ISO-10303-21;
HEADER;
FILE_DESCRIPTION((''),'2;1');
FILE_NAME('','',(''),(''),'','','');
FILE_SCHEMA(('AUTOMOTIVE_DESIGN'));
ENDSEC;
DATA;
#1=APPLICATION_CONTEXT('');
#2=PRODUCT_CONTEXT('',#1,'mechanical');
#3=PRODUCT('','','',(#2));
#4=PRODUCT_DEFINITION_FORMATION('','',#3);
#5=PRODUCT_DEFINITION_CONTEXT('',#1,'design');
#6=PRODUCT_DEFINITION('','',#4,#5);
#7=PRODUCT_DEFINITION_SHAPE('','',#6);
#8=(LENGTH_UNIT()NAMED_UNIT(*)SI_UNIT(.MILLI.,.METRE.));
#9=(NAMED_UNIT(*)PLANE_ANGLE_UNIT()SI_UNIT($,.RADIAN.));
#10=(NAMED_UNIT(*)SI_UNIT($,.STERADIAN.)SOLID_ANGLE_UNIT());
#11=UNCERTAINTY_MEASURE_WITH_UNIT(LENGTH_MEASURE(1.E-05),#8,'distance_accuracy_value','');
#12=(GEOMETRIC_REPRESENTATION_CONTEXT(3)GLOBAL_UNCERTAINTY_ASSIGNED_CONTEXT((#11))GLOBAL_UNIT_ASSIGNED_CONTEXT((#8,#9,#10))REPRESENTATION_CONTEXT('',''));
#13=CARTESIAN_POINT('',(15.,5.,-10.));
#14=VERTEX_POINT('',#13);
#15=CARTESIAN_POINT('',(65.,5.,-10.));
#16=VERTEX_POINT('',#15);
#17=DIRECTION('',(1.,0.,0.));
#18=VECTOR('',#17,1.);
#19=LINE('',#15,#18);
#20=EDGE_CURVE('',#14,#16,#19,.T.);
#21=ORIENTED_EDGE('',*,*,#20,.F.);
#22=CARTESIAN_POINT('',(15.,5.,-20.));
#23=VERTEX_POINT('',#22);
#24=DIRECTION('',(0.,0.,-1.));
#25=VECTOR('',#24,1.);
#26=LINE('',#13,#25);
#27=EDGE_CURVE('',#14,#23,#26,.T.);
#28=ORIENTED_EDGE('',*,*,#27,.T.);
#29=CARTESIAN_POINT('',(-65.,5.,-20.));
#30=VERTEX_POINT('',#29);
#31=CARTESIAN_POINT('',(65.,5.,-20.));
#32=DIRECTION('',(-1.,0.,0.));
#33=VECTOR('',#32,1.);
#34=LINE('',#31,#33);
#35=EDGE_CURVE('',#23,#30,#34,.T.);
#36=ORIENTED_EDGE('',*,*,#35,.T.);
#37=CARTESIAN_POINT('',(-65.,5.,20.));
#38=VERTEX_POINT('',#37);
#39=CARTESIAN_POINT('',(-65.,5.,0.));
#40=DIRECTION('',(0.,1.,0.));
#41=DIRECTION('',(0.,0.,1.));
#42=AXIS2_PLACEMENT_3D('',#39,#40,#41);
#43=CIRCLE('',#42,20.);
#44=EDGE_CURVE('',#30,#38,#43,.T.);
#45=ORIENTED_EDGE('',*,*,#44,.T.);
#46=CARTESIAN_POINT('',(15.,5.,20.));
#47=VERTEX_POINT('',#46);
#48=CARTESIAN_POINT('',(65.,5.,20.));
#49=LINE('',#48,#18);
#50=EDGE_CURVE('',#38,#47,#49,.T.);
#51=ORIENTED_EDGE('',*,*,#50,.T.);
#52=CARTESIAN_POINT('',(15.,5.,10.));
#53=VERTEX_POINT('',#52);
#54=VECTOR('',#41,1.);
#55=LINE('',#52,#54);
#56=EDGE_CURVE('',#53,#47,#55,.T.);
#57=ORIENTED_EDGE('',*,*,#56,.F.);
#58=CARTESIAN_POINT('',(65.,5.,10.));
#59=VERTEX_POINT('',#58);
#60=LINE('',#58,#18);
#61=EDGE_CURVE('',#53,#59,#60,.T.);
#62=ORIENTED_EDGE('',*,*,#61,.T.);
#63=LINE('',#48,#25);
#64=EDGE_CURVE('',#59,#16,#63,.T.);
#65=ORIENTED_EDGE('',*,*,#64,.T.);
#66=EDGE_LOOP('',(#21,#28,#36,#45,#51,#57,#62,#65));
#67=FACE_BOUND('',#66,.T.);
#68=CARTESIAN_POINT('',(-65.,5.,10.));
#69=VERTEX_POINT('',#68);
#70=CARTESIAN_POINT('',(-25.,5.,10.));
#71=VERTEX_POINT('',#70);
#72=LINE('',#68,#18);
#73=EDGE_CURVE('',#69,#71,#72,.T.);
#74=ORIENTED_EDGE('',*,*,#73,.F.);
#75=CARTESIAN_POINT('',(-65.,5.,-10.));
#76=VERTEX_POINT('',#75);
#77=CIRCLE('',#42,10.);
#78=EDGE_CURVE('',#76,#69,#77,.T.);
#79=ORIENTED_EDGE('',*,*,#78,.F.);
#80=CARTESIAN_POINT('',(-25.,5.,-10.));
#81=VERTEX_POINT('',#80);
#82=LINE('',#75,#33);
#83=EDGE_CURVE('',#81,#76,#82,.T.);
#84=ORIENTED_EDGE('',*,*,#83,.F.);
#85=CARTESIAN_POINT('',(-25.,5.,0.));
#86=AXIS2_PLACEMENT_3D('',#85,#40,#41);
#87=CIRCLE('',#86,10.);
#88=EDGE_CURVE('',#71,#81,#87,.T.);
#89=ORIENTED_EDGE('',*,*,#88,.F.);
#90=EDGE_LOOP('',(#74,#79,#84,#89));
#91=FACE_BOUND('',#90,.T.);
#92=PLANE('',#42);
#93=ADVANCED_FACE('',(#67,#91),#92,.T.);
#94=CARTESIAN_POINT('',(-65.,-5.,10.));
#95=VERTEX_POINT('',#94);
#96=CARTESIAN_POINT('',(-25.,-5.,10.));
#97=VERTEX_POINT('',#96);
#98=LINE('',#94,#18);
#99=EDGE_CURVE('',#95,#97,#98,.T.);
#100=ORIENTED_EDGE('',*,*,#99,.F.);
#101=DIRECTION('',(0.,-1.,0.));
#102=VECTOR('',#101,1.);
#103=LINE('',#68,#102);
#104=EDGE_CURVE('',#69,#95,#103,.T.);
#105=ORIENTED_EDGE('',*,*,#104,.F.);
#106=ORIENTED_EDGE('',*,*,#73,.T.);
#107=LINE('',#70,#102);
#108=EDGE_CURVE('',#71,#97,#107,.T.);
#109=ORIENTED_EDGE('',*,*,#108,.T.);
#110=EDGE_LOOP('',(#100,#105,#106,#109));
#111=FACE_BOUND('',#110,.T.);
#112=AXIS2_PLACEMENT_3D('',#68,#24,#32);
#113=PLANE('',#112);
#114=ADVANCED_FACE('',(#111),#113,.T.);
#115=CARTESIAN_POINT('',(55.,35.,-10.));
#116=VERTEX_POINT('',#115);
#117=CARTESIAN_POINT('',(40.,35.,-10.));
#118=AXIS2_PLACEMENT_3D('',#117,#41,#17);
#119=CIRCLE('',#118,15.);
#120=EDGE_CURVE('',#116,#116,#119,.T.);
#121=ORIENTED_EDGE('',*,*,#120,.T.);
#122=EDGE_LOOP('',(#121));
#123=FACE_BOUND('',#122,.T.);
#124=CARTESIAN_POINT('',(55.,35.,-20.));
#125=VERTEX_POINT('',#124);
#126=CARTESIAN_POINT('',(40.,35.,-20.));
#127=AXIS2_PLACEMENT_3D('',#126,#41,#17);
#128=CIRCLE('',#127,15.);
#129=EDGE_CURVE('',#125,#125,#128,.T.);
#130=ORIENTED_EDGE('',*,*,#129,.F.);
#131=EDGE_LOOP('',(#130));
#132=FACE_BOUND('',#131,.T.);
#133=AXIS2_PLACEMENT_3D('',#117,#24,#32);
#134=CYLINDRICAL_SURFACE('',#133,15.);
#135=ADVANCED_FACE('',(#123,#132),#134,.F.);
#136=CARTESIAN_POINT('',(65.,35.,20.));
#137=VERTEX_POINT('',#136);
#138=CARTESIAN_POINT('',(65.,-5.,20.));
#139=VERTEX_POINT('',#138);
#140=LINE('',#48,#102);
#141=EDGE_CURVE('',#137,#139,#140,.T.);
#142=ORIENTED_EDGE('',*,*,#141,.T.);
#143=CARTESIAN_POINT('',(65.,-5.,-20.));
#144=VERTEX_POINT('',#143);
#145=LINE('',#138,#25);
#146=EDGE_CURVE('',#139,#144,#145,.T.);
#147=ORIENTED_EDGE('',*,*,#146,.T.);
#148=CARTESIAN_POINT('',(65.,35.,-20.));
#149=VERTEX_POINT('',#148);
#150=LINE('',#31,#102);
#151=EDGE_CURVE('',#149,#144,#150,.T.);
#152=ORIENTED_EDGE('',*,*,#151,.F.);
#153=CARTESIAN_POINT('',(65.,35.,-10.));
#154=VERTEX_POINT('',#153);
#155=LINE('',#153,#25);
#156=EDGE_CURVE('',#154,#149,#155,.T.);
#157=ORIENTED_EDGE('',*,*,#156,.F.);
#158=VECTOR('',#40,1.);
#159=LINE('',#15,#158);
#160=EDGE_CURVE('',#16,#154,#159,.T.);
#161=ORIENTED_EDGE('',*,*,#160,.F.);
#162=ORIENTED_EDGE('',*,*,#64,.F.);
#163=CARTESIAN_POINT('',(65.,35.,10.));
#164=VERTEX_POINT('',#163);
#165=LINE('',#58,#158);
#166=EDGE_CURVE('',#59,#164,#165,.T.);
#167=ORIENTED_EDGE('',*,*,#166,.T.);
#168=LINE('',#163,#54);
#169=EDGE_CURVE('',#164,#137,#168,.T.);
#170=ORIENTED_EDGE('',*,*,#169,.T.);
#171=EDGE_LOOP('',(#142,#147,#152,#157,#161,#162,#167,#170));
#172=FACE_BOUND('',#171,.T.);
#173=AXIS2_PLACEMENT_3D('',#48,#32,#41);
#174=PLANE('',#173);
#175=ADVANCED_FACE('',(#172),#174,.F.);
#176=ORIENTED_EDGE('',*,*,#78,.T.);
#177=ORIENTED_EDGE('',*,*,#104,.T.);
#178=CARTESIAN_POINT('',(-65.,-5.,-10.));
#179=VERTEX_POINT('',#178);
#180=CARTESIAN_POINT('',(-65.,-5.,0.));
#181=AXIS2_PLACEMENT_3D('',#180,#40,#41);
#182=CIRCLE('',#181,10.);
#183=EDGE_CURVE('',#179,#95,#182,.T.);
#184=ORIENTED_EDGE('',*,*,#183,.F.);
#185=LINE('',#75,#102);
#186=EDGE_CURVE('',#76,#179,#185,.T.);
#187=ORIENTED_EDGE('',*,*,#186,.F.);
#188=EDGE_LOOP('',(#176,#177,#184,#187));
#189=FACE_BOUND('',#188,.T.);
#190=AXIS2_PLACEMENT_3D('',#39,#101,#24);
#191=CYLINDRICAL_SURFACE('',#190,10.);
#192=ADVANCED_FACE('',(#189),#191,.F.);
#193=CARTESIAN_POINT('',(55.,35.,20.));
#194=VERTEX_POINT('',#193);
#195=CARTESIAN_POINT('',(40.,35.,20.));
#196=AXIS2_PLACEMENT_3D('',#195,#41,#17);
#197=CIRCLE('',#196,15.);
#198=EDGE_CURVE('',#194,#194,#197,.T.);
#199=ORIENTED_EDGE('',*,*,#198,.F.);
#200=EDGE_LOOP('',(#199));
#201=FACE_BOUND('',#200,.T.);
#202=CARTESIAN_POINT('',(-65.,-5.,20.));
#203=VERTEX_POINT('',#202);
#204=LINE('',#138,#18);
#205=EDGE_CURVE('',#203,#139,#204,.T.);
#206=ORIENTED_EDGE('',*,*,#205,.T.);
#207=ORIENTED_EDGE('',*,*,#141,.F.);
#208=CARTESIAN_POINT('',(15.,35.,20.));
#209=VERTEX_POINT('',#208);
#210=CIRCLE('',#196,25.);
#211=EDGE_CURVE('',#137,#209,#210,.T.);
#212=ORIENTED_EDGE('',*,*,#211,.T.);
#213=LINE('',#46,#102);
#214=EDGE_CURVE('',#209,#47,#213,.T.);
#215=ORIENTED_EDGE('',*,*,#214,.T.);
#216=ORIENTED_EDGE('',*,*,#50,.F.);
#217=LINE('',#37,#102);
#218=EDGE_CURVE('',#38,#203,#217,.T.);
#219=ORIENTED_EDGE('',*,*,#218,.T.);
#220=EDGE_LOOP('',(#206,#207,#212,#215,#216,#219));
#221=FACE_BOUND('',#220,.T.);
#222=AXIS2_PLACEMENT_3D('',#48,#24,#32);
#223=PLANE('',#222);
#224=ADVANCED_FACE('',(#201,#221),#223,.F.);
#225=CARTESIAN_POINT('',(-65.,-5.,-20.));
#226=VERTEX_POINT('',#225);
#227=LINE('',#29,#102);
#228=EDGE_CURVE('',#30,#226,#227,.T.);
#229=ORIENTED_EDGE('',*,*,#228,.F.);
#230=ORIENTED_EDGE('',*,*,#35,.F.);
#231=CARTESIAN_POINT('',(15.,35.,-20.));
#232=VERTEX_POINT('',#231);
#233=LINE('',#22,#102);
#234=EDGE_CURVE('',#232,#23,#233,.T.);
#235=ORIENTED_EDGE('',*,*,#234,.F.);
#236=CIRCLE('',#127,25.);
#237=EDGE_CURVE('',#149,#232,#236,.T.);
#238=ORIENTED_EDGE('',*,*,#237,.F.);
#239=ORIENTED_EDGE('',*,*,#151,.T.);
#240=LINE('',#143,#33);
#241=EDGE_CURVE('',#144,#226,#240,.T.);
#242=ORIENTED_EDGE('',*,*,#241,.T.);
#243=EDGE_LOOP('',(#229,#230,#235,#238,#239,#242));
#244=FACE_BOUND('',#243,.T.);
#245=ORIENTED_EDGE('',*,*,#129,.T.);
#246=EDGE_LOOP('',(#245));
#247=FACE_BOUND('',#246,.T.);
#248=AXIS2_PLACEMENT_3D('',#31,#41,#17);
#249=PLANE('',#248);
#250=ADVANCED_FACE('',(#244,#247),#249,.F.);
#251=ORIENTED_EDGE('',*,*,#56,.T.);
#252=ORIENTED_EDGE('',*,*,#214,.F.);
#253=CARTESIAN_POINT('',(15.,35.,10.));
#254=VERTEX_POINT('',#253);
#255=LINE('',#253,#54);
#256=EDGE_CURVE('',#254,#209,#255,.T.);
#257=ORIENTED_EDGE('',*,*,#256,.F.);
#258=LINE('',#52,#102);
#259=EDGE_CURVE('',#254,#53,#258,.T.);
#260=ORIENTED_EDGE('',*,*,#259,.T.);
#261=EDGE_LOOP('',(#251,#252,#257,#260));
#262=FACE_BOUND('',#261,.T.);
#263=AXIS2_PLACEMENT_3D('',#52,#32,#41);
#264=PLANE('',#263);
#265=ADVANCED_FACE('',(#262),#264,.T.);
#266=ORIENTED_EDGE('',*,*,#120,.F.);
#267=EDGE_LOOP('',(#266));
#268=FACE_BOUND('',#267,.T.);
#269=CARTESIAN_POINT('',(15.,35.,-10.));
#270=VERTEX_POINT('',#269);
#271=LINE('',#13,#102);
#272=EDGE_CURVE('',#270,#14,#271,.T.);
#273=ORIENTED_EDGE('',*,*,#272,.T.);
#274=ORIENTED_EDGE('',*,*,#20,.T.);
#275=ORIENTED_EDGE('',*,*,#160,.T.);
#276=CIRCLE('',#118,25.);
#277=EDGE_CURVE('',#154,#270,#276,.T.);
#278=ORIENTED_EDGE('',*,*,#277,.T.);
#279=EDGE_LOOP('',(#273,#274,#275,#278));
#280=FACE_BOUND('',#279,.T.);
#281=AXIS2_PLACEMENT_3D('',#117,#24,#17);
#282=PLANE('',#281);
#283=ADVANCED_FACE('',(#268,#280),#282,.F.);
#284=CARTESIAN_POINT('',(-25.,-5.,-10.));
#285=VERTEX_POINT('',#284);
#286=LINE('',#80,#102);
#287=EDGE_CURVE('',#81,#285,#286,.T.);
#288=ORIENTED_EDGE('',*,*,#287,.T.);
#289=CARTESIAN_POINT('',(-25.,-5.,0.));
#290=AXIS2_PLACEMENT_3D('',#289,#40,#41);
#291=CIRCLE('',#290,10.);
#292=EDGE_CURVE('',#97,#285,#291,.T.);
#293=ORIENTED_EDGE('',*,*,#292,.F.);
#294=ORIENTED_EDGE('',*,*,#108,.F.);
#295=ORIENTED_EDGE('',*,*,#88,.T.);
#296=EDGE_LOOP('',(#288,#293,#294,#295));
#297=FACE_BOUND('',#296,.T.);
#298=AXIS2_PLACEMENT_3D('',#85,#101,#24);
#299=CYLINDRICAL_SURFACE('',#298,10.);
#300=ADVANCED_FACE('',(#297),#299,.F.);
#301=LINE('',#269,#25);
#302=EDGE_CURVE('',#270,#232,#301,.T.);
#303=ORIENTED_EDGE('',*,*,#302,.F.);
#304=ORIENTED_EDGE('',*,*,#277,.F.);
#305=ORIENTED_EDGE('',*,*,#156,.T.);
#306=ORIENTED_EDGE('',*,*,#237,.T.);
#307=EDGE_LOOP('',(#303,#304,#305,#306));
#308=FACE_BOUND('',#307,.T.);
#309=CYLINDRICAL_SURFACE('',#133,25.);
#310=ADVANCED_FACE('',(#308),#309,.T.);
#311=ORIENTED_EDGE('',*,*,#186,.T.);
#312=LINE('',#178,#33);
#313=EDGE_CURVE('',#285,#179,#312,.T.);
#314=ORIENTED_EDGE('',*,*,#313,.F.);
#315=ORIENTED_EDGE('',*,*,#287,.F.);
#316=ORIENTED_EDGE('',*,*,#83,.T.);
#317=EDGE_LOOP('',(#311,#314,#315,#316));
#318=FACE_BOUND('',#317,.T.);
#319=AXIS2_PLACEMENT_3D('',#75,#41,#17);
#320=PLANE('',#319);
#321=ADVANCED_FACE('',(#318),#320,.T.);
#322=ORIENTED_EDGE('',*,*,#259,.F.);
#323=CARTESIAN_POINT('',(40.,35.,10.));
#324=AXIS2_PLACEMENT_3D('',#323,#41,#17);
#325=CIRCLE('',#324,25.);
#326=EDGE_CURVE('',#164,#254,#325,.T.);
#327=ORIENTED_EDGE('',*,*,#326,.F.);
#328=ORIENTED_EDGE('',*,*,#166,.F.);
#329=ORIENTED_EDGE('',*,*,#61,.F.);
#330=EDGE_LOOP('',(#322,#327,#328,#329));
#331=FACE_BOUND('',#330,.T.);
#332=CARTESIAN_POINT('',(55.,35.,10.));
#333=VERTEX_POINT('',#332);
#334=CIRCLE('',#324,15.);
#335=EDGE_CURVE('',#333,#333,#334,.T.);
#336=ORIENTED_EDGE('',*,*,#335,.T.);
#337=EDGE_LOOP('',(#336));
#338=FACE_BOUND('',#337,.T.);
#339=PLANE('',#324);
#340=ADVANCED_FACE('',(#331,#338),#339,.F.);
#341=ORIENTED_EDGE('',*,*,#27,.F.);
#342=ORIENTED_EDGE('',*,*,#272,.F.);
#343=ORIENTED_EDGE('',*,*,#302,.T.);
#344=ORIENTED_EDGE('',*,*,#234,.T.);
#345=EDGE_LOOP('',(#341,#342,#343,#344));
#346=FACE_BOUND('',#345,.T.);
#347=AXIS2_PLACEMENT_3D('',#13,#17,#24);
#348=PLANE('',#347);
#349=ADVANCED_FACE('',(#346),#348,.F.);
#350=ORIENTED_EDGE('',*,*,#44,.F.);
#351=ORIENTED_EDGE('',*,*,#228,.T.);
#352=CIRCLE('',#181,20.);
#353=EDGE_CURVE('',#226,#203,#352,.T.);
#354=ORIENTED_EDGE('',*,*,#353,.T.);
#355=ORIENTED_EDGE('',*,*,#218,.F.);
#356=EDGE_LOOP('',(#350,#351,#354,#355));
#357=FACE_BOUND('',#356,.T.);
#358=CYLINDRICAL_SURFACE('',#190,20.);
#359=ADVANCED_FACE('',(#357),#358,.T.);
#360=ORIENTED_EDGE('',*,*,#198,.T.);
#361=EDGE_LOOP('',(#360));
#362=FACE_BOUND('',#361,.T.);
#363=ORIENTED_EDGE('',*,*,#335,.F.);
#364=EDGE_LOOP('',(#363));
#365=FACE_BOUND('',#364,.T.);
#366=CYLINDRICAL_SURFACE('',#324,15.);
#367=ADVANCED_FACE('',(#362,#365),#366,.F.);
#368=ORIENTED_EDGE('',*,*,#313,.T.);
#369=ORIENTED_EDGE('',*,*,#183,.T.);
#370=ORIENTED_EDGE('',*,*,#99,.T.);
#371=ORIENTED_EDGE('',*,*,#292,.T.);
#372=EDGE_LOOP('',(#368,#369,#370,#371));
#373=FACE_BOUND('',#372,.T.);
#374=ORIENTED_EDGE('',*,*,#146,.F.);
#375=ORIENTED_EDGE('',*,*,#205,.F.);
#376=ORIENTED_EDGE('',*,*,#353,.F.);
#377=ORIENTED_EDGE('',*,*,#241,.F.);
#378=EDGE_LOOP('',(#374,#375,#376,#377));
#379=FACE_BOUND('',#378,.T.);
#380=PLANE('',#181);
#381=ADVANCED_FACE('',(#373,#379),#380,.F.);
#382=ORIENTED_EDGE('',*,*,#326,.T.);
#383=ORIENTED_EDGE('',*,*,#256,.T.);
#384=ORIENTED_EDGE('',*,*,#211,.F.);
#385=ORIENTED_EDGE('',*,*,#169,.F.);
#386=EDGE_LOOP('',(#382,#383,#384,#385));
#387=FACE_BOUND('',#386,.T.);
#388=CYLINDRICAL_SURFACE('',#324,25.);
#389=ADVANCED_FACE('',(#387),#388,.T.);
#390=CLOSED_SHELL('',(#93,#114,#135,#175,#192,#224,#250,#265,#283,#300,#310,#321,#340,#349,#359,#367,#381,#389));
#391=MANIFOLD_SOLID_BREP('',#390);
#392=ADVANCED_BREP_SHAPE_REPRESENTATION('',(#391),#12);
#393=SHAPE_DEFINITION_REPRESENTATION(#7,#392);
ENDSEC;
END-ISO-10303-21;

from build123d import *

# Parameters (mm, degrees)
BOSS_EXTRUDE1_DEPTH = 5
SKETCH2_R           = 15
BOSS_EXTRUDE2_DEPTH = 10


with BuildPart() as part:
    # Sketch1 → Boss-Extrude1 (new, symmetric)
    with BuildSketch(Plane(origin=(0, 0, 0), x_dir=(1, 0, 0), z_dir=(0, 1, 0))):
        with BuildLine():
            Line((65, -20), (-65, -20))
            ThreePointArc((-65, -20), (-85, 0), (-65, 20))
            Line((-65, 20), (65, 20))
            Line((65, 20), (65, -20))
        make_face()
        with BuildLine():
            Line((-65, 10), (-25, 10))
            ThreePointArc((-25, 10), (-15, 0), (-25, -10))
            Line((-25, -10), (-65, -10))
            ThreePointArc((-65, -10), (-75, 0), (-65, 10))
        make_face(mode=Mode.SUBTRACT)
    extrude(amount=BOSS_EXTRUDE1_DEPTH, both=True)

    # Sketch2 → Boss-Extrude2 (add)
    with BuildSketch(Plane.XY.offset(20)):
        with BuildLine():
            Line((65, 5), (15, 5))
            Line((15, 5), (15, 35))
            ThreePointArc((15, 35), (40, 60), (65, 35))
            Line((65, 35), (65, 5))
        make_face()
        with Locations((40, 35)):
            Circle(SKETCH2_R, mode=Mode.SUBTRACT)
    boss_extrude2 = extrude(amount=-BOSS_EXTRUDE2_DEPTH)

    # Mirror1: Boss-Extrude2 across plane
    add(boss_extrude2.mirror(Plane.XY))


solid = part.part
